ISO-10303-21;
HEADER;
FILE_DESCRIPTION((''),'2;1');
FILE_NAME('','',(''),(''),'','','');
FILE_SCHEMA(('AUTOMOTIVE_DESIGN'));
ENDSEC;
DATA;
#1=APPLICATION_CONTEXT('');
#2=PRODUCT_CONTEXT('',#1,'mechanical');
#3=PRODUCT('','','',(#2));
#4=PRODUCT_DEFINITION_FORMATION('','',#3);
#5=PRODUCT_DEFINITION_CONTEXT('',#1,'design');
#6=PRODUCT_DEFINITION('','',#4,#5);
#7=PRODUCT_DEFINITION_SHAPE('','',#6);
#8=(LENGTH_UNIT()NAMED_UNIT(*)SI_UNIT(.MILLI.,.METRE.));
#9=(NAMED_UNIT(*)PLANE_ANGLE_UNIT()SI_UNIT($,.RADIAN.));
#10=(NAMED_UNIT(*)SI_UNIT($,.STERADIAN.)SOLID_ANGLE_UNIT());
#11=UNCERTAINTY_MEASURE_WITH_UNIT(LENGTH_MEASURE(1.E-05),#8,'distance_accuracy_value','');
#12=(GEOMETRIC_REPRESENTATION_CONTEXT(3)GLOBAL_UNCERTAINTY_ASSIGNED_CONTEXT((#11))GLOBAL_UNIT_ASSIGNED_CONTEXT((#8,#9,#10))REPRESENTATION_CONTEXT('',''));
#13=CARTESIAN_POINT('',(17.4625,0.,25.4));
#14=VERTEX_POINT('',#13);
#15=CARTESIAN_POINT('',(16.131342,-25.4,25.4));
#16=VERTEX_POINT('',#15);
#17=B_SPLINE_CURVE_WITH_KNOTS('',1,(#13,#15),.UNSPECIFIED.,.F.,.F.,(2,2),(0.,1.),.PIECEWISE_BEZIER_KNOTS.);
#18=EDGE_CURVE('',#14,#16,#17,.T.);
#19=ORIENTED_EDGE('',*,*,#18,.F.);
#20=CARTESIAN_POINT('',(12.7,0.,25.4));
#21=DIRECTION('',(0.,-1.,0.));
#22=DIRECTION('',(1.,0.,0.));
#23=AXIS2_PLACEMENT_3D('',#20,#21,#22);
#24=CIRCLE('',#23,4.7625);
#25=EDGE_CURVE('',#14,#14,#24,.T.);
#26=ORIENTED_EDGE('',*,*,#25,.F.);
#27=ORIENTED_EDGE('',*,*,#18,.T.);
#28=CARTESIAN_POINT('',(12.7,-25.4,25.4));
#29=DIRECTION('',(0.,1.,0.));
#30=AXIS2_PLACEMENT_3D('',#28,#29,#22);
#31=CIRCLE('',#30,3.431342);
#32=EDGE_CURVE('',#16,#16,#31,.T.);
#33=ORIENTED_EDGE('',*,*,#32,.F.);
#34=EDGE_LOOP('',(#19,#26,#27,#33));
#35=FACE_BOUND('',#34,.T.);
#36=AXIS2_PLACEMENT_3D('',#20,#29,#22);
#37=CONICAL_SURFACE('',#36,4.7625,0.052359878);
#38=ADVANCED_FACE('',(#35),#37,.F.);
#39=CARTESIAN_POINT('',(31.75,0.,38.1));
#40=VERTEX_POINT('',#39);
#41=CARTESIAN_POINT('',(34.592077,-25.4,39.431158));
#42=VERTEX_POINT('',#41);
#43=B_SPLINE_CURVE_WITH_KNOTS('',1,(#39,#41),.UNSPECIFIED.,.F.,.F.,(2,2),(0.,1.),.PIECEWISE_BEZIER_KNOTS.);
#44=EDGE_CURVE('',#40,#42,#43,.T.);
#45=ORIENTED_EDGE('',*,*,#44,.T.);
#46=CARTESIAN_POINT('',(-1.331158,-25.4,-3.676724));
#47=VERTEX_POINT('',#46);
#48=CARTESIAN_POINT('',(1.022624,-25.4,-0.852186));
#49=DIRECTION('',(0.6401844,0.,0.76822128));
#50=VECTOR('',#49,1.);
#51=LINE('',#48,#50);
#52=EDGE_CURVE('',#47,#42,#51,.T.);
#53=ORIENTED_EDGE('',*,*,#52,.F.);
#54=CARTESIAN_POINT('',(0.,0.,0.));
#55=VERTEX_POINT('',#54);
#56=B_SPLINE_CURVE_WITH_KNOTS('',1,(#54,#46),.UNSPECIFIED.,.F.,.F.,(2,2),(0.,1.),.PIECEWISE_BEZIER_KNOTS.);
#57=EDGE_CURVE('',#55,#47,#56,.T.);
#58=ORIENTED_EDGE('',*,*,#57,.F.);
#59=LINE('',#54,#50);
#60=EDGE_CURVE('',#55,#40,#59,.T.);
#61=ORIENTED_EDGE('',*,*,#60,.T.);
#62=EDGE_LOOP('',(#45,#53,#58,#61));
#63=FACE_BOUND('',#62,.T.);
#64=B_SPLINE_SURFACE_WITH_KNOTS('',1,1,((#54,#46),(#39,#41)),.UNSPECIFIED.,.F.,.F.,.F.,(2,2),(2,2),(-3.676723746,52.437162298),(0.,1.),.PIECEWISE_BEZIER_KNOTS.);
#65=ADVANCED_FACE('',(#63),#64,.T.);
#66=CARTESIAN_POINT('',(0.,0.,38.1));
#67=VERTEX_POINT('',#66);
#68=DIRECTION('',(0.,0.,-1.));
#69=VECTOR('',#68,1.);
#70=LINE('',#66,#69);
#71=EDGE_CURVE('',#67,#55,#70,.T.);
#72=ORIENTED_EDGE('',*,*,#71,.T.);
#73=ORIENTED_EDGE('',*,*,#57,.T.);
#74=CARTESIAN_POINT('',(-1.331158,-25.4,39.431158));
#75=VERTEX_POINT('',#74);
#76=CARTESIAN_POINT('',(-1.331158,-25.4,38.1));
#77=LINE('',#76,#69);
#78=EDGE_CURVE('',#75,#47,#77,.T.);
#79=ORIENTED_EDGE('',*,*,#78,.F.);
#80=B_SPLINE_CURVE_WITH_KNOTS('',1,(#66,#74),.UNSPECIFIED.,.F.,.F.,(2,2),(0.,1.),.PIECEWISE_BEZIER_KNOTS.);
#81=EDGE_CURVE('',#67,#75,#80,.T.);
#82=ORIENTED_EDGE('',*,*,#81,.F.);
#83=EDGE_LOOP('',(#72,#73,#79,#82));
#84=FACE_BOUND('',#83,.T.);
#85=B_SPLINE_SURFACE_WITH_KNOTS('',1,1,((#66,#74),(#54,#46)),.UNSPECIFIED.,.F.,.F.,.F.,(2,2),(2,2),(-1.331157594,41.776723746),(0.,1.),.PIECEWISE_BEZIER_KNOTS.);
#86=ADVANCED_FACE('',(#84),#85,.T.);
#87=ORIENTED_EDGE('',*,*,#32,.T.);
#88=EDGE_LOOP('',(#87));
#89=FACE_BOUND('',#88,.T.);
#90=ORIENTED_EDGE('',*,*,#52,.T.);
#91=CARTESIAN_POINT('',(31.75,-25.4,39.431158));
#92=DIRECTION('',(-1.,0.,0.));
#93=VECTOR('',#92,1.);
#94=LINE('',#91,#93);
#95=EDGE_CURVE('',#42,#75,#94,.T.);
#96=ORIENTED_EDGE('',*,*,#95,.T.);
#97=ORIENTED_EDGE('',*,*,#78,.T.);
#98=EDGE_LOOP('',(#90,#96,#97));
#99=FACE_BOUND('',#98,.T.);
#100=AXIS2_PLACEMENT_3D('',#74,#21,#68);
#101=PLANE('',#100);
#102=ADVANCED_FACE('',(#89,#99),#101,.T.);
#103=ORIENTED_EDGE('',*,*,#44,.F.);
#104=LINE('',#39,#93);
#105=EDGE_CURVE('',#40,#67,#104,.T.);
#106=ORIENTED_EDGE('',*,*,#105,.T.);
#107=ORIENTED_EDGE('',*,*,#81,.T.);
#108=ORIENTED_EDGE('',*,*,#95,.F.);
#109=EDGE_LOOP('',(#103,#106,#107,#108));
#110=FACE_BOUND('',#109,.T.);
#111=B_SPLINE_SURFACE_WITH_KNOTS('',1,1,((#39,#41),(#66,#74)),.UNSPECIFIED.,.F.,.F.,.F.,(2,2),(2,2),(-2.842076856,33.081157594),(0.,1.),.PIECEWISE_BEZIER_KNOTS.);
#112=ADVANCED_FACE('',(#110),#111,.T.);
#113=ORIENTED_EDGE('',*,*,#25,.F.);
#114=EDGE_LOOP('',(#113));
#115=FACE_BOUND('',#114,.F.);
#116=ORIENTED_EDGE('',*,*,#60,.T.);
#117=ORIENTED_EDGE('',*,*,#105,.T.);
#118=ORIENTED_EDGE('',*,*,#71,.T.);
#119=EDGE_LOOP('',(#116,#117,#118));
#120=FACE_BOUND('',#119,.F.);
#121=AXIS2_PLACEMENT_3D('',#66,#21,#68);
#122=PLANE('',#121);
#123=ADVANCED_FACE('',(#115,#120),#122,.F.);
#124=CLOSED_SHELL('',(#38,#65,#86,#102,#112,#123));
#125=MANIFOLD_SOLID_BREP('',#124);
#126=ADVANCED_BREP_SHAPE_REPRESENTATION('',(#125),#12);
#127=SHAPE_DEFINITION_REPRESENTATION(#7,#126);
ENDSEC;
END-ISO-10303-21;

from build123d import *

# Parameters (mm, degrees)
F0_R     = 4.7625
F1_DEPTH = 25.4
F1_TAPER = -3


with BuildPart() as f1:
    # F0 (on Front) → F1 (new body)
    with BuildSketch(Plane.XZ):
        Polygon((0, 38.1), (0, 0), (31.75, 38.1), align=None)
        with Locations((12.7, 25.4)):
            Circle(F0_R, mode=Mode.SUBTRACT)
    extrude(amount=F1_DEPTH, taper=F1_TAPER)


solid = f1.part
